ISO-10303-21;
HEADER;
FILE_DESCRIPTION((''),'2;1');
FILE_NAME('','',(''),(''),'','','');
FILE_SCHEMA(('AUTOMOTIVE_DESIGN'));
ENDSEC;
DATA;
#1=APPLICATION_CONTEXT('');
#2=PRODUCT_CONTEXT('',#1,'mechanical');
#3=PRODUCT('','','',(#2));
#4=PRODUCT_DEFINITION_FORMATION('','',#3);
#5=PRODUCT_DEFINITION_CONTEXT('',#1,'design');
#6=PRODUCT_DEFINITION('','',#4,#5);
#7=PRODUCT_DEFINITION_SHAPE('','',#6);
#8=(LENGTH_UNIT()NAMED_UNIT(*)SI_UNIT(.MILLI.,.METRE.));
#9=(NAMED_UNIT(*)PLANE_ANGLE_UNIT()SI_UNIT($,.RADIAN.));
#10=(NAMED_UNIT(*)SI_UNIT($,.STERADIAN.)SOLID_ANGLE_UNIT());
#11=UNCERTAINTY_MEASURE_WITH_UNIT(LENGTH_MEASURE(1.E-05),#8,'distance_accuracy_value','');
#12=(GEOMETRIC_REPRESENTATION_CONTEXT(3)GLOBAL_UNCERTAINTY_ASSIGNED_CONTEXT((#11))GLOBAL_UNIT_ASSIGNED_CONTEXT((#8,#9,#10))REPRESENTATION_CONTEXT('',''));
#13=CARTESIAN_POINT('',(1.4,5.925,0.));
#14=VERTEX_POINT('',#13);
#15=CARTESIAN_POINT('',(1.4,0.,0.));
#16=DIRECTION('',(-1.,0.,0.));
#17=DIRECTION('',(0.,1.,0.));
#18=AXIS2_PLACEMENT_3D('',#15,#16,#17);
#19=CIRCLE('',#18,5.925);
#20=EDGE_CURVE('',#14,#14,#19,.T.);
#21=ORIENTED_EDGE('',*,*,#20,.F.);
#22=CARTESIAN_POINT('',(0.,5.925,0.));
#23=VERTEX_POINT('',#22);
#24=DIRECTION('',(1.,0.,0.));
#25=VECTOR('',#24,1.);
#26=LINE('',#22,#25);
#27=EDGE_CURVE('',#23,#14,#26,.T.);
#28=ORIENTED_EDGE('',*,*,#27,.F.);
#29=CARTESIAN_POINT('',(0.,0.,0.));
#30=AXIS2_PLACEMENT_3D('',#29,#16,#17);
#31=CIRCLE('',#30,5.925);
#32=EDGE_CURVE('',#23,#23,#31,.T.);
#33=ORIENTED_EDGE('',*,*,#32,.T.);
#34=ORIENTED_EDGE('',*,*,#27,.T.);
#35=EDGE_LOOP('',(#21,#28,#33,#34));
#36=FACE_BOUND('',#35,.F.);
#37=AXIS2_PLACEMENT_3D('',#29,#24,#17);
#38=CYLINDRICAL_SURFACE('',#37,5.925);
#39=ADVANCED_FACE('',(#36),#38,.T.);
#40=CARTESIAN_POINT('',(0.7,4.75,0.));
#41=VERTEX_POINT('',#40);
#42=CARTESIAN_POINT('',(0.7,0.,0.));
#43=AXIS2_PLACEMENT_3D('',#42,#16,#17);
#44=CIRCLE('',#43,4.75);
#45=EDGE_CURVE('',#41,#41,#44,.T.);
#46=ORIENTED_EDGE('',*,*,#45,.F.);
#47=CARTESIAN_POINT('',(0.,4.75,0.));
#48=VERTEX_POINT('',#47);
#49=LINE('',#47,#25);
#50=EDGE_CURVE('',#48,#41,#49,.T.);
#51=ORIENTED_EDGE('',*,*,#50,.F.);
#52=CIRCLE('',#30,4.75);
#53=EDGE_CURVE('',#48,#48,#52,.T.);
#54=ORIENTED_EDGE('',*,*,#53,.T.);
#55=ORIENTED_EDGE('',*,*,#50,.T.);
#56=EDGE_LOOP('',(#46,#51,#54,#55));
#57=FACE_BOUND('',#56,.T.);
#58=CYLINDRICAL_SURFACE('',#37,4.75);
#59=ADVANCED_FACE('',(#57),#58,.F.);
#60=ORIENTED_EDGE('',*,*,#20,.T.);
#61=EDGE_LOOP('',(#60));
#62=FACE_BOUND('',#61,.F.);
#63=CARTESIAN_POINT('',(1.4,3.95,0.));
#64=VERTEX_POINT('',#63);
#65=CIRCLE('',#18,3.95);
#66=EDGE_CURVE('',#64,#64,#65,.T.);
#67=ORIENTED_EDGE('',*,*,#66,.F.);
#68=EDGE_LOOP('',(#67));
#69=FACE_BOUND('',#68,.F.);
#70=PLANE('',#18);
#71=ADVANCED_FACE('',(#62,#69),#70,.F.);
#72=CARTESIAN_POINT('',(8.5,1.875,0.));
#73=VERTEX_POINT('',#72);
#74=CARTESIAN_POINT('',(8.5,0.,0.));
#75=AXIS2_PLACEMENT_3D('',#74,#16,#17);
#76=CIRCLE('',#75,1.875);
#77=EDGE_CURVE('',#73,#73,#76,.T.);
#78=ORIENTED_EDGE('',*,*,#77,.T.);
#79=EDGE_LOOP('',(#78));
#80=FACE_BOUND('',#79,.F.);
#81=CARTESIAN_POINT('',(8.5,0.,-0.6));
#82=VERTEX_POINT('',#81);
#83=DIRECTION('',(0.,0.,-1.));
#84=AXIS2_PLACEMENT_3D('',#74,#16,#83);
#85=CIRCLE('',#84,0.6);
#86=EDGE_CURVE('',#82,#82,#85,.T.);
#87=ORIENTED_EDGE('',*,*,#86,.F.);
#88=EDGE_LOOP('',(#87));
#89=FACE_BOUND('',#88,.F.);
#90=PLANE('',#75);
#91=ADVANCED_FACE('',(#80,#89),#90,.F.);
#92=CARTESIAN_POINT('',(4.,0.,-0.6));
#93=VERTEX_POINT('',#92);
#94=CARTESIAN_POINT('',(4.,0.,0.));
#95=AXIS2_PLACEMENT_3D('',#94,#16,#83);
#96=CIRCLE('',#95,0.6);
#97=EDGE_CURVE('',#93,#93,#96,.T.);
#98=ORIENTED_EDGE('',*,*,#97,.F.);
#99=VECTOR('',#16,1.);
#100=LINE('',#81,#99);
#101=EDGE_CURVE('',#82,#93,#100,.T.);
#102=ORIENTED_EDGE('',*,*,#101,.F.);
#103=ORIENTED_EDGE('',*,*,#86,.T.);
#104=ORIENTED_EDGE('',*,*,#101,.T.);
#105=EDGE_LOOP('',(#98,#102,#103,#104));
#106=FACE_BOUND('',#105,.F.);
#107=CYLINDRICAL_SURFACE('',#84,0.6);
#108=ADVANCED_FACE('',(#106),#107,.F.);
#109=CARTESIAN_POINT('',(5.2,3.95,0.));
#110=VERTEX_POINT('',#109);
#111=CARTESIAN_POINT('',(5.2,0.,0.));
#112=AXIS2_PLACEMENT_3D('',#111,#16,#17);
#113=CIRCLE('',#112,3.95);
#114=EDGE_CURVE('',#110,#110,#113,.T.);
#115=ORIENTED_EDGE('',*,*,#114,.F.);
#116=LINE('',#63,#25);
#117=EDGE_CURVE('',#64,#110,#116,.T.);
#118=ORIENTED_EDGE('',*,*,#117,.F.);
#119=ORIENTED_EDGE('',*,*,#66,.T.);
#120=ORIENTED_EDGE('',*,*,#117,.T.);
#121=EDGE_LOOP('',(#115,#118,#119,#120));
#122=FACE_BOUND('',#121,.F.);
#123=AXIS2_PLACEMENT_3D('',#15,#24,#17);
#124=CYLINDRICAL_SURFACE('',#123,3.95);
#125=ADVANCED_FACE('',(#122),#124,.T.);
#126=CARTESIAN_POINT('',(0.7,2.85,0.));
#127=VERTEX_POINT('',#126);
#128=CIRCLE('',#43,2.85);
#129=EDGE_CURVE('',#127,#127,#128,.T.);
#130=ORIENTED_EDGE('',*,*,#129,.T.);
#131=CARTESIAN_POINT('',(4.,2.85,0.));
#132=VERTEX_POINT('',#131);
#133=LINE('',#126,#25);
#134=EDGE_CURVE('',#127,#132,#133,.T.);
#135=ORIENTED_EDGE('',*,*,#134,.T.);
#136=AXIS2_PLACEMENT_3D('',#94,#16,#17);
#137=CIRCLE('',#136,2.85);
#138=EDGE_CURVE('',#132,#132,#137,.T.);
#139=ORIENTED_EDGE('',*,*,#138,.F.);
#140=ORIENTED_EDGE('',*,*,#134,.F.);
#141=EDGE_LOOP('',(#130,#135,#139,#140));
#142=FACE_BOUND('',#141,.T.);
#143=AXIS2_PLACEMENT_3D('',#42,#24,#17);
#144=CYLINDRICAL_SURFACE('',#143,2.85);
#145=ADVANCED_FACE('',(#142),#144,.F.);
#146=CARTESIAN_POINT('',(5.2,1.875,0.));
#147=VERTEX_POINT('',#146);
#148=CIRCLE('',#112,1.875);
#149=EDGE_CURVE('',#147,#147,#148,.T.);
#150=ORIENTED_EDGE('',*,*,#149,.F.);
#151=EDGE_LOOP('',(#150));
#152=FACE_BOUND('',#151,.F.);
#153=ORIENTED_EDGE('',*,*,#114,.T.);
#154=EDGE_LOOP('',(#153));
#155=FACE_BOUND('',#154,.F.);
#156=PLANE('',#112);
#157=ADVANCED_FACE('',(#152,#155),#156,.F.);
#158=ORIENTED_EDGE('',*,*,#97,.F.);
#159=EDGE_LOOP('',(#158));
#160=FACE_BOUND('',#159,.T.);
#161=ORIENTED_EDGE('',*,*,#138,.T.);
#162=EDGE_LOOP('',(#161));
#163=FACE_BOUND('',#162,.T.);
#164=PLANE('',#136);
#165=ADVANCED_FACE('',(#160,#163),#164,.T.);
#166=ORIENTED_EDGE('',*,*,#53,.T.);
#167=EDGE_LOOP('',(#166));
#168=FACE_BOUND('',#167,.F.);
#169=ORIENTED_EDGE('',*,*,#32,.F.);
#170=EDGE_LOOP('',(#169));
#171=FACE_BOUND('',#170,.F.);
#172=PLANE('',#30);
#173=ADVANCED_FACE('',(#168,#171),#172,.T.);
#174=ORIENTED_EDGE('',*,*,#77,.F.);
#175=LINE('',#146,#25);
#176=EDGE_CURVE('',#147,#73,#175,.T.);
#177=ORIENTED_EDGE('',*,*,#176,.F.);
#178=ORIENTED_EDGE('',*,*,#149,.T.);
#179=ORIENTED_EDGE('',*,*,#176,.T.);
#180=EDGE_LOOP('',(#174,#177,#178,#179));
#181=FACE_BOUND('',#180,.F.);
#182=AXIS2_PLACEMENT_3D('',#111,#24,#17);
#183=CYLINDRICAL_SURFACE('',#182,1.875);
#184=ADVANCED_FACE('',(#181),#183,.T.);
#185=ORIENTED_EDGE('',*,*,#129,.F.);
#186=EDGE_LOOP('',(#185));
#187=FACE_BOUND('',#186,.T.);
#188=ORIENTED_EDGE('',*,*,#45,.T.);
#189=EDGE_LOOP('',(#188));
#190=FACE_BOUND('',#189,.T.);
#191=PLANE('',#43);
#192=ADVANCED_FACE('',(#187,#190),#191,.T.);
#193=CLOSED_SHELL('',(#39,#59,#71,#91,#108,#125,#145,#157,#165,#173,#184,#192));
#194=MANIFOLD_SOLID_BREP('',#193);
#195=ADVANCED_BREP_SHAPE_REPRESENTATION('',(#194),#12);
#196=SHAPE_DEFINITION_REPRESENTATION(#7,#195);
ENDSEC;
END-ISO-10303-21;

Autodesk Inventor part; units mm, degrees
ref_plane "YZ Plane" through (0, 0, 0) normal (1, 0, 0) x (0, 1, 0)
ref_plane "XZ Plane" through (0, 0, 0) normal (0, 1, 0) x (-1, 0, 0)
ref_plane "XY Plane" through (0, 0, 0) normal (0, 0, 1) x (1, 0, 0)
sketch "Sketch1" plane through (0, 0, 0) normal (0, 0, 1) x (1, 0, 0)
  line L0 (0, 4.75) -> (0, 5.925)
  line L1 (0, 5.925) -> (1.4, 5.925)
  line L2 (1.4, 5.925) -> (1.4, 3.95)
  line L3 (1.4, 3.95) -> (5.2, 3.95)
  line L4 (5.2, 3.95) -> (5.2, 1.875)
  line L5 (5.2, 1.875) -> (8.5, 1.875)
  line L6 (8.5, 1.875) -> (8.5, 0)
  line L7 (8.5, 0) -> (0, 0)
  line L8 (0, 4.75) -> (0.7, 4.75)
  line L9 (0.7, 4.75) -> (0.7, 2.85)
  line L10 (0.7, 2.85) -> (4, 2.85)
  line L11 (4, 2.85) -> (4, 0)
  dimension "d0" = 8.5
  dimension "d1" = 11.85
  dimension "d2" = 1.4
  dimension "d3" = 5.2
  dimension "d4" = 7.9
  dimension "d5" = 3.75
  dimension "d6" = 9.5
  dimension "d7" = 5.7
  dimension "d8" = 0.7
  dimension "d9" = 4
revolve "Revolution1" add sketch "Sketch1" angle 360 about axis through (8.5, 0, 0) along (-1, 0, 0)
hole "Hole1" at (8.5, 0, 0) direction (-1, 0, 0) diameter 1.2 end through all
properties part number "Hitec HS-225MG gear 3"
